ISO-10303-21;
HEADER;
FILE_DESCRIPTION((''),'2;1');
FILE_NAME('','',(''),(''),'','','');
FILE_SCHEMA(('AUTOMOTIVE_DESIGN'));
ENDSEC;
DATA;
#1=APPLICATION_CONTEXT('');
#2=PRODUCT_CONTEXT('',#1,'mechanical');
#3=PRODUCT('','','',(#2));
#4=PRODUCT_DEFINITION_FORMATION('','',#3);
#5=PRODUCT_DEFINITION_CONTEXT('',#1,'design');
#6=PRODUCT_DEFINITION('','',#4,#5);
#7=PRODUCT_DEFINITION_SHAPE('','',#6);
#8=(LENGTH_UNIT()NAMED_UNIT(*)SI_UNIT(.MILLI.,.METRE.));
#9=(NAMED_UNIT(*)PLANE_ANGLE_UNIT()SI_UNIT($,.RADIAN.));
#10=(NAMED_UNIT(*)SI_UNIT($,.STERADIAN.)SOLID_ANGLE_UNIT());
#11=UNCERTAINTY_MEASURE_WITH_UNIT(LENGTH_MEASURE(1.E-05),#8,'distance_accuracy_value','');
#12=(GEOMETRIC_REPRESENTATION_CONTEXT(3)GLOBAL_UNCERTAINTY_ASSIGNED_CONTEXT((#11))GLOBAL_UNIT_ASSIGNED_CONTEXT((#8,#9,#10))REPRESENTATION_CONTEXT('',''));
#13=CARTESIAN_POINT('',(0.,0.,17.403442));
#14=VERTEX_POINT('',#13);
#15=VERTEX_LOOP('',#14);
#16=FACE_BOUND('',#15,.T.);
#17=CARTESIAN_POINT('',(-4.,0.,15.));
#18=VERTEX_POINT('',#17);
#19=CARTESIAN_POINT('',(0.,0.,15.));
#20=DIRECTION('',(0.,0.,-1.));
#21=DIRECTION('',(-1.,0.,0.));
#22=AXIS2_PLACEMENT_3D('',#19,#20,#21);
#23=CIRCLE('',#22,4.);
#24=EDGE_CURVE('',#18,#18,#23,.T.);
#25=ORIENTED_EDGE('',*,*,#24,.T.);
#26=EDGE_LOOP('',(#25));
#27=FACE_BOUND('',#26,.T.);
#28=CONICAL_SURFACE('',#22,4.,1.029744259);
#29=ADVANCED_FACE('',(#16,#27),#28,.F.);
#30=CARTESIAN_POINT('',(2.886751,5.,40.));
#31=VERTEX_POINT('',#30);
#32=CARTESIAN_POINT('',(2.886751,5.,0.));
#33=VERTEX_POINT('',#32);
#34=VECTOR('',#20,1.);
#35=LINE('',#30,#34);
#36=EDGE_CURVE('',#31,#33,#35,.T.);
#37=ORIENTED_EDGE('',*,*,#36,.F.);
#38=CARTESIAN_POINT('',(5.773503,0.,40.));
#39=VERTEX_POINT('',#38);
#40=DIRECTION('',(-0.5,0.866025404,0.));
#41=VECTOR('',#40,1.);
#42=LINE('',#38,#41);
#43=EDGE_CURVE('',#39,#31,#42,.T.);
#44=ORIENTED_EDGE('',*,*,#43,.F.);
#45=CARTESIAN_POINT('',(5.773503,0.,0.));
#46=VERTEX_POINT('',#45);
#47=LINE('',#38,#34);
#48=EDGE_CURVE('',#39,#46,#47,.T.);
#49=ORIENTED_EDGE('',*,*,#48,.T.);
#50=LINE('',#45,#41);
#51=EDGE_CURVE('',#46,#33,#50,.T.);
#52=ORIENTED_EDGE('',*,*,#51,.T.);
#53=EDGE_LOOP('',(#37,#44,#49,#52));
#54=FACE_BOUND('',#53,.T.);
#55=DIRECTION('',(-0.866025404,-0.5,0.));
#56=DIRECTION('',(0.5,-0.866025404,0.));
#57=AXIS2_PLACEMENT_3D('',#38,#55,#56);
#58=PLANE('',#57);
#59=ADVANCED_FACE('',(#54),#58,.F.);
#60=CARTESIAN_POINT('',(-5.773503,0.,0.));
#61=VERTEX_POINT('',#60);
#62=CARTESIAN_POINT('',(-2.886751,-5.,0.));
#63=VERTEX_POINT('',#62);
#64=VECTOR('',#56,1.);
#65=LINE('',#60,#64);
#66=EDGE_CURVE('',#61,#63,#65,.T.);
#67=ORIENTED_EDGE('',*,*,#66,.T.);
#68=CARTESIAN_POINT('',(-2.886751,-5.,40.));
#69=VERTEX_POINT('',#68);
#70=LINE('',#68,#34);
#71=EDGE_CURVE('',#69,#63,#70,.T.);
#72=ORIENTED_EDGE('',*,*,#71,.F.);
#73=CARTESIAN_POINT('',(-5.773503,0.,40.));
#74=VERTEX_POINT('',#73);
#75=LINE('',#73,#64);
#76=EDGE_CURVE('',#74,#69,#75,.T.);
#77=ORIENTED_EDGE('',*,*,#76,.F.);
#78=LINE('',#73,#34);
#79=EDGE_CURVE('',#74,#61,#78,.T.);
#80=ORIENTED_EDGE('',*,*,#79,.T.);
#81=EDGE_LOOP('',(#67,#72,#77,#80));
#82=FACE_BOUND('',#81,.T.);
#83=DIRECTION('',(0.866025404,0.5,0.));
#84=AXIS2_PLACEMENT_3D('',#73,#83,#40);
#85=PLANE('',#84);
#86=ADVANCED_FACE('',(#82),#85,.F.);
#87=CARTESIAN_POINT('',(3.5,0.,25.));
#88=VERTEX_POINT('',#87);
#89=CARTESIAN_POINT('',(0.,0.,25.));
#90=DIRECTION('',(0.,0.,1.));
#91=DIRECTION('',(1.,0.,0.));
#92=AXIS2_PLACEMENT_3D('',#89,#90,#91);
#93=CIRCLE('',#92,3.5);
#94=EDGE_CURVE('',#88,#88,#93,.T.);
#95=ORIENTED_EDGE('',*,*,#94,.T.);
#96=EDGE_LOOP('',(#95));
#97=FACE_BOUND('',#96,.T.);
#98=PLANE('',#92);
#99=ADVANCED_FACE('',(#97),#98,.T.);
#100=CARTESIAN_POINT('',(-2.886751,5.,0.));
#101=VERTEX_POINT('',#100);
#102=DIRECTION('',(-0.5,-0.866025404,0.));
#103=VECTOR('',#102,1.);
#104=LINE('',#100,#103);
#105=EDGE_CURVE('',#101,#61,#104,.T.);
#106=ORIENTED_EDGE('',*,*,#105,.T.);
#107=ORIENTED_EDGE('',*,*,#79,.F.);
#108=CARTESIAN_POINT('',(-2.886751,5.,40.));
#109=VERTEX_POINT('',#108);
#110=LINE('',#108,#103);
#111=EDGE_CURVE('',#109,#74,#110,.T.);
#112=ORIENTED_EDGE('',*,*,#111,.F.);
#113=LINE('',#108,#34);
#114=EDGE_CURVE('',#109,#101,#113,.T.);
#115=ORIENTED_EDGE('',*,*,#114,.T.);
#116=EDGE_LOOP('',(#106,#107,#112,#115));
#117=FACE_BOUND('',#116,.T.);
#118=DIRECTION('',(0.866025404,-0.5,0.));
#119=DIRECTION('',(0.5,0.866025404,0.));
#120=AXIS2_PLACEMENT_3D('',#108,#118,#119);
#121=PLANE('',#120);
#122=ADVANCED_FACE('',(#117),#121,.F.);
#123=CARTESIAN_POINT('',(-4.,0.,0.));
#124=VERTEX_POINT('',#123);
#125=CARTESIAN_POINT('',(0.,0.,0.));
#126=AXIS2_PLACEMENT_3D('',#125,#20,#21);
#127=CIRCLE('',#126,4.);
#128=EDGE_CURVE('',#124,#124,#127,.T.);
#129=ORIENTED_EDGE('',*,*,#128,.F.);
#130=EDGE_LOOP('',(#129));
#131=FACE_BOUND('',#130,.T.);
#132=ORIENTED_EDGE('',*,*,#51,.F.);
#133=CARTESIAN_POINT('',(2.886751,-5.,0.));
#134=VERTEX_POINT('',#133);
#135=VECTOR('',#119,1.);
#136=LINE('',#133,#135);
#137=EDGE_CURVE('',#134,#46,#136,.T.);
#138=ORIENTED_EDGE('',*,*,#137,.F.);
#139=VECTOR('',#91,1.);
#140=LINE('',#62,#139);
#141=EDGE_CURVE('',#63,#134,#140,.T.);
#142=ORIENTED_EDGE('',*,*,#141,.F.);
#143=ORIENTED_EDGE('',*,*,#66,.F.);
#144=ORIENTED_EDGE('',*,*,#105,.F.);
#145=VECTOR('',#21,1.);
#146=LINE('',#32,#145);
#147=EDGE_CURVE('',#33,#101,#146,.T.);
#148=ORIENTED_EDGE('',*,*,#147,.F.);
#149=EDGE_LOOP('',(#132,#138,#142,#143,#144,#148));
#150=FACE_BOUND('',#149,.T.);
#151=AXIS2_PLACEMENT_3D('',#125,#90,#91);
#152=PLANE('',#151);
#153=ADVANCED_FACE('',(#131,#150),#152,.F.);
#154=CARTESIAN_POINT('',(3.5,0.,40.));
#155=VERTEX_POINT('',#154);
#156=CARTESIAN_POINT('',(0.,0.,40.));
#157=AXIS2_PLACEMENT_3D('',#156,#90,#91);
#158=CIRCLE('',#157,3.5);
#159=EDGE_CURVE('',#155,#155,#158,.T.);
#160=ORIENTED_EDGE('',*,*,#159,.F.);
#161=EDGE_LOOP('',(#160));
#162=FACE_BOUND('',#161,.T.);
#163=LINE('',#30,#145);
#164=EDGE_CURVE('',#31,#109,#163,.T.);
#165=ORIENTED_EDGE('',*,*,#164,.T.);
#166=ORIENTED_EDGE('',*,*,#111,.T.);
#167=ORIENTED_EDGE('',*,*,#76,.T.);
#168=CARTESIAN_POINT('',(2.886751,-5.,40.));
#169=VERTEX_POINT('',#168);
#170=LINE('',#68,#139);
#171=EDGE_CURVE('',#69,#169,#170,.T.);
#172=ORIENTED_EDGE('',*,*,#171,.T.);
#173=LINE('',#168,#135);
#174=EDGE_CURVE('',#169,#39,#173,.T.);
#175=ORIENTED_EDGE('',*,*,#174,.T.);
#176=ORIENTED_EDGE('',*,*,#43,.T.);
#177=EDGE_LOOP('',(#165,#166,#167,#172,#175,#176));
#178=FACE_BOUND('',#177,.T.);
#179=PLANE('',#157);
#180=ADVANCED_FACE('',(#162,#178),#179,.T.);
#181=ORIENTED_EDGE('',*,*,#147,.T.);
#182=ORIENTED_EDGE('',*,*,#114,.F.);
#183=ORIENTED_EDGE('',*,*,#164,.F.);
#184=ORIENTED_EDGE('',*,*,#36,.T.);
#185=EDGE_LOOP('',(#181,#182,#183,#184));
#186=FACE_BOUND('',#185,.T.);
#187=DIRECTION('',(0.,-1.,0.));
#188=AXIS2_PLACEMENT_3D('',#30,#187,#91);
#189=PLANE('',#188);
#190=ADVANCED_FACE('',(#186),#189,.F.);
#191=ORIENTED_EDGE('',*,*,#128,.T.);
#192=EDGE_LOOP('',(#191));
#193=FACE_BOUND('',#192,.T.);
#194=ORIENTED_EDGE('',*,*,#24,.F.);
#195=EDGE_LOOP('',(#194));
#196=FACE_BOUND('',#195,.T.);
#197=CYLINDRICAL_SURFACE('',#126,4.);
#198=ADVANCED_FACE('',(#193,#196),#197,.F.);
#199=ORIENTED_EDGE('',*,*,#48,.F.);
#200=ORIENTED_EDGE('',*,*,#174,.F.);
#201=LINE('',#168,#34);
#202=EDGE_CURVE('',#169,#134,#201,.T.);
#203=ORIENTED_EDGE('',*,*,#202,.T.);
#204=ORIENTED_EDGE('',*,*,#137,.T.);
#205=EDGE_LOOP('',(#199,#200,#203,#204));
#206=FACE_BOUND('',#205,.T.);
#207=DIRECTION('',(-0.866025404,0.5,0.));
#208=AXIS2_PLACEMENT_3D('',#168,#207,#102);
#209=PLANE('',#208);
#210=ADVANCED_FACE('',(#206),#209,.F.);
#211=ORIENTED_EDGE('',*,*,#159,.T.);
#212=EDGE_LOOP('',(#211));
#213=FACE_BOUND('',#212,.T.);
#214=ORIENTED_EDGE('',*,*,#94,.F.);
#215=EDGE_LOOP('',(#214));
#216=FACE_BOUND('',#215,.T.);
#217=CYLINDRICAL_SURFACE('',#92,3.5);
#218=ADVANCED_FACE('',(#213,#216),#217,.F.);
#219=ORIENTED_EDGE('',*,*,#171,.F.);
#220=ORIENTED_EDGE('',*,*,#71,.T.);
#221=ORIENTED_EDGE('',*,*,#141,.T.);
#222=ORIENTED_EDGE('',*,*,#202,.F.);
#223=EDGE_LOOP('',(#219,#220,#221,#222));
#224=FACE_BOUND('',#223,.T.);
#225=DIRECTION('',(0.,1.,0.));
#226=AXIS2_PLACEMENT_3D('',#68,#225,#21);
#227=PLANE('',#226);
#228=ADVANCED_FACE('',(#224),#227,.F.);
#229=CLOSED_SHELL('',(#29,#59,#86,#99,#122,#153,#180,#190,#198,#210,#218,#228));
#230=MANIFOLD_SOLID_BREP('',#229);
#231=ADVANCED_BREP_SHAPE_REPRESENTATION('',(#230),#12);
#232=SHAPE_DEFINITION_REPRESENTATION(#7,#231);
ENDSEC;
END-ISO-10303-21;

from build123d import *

# Parameters (mm, degrees)
BOSS_EXTRUDE1_DEPTH          = 40
SKETCH2_R                    = 3.5
CUT_EXTRUDE1_DEPTH           = 15
F_8_0_8_DIAMETER_HOLE1_D     = 8
F_8_0_8_DIAMETER_HOLE1_DEPTH = 15
F_8_0_8_DIAMETER_HOLE1_TIP   = 2.403442476


with BuildPart() as part:
    # Sketch1 → Boss-Extrude1 (new body)
    with BuildSketch(Plane.XY):
        Polygon((5.773502692, 0), (2.886751346, 5), (-2.886751346, 5), (-5.773502692, 0), (-2.886751346, -5), (2.886751346, -5), align=None)
    extrude(amount=BOSS_EXTRUDE1_DEPTH)

    # Sketch2 → Cut-Extrude1 (cut)
    with BuildSketch(Plane.XY.offset(40)):
        Circle(SKETCH2_R)
    extrude(amount=-CUT_EXTRUDE1_DEPTH, mode=Mode.SUBTRACT)

    # Ø8.0 (8) Diameter Hole1
    with Locations(Plane(origin=(0, 0, 0), x_dir=(-1, 0, 0), z_dir=(0, 0, -1))):
        with Locations((0, 0)):
            Hole(F_8_0_8_DIAMETER_HOLE1_D / 2, depth=F_8_0_8_DIAMETER_HOLE1_DEPTH)
            with Locations((0, 0, -(F_8_0_8_DIAMETER_HOLE1_DEPTH + F_8_0_8_DIAMETER_HOLE1_TIP / 2))):  # 118° drill point
                Cone(0, F_8_0_8_DIAMETER_HOLE1_D / 2, F_8_0_8_DIAMETER_HOLE1_TIP, mode=Mode.SUBTRACT)


solid = part.part
